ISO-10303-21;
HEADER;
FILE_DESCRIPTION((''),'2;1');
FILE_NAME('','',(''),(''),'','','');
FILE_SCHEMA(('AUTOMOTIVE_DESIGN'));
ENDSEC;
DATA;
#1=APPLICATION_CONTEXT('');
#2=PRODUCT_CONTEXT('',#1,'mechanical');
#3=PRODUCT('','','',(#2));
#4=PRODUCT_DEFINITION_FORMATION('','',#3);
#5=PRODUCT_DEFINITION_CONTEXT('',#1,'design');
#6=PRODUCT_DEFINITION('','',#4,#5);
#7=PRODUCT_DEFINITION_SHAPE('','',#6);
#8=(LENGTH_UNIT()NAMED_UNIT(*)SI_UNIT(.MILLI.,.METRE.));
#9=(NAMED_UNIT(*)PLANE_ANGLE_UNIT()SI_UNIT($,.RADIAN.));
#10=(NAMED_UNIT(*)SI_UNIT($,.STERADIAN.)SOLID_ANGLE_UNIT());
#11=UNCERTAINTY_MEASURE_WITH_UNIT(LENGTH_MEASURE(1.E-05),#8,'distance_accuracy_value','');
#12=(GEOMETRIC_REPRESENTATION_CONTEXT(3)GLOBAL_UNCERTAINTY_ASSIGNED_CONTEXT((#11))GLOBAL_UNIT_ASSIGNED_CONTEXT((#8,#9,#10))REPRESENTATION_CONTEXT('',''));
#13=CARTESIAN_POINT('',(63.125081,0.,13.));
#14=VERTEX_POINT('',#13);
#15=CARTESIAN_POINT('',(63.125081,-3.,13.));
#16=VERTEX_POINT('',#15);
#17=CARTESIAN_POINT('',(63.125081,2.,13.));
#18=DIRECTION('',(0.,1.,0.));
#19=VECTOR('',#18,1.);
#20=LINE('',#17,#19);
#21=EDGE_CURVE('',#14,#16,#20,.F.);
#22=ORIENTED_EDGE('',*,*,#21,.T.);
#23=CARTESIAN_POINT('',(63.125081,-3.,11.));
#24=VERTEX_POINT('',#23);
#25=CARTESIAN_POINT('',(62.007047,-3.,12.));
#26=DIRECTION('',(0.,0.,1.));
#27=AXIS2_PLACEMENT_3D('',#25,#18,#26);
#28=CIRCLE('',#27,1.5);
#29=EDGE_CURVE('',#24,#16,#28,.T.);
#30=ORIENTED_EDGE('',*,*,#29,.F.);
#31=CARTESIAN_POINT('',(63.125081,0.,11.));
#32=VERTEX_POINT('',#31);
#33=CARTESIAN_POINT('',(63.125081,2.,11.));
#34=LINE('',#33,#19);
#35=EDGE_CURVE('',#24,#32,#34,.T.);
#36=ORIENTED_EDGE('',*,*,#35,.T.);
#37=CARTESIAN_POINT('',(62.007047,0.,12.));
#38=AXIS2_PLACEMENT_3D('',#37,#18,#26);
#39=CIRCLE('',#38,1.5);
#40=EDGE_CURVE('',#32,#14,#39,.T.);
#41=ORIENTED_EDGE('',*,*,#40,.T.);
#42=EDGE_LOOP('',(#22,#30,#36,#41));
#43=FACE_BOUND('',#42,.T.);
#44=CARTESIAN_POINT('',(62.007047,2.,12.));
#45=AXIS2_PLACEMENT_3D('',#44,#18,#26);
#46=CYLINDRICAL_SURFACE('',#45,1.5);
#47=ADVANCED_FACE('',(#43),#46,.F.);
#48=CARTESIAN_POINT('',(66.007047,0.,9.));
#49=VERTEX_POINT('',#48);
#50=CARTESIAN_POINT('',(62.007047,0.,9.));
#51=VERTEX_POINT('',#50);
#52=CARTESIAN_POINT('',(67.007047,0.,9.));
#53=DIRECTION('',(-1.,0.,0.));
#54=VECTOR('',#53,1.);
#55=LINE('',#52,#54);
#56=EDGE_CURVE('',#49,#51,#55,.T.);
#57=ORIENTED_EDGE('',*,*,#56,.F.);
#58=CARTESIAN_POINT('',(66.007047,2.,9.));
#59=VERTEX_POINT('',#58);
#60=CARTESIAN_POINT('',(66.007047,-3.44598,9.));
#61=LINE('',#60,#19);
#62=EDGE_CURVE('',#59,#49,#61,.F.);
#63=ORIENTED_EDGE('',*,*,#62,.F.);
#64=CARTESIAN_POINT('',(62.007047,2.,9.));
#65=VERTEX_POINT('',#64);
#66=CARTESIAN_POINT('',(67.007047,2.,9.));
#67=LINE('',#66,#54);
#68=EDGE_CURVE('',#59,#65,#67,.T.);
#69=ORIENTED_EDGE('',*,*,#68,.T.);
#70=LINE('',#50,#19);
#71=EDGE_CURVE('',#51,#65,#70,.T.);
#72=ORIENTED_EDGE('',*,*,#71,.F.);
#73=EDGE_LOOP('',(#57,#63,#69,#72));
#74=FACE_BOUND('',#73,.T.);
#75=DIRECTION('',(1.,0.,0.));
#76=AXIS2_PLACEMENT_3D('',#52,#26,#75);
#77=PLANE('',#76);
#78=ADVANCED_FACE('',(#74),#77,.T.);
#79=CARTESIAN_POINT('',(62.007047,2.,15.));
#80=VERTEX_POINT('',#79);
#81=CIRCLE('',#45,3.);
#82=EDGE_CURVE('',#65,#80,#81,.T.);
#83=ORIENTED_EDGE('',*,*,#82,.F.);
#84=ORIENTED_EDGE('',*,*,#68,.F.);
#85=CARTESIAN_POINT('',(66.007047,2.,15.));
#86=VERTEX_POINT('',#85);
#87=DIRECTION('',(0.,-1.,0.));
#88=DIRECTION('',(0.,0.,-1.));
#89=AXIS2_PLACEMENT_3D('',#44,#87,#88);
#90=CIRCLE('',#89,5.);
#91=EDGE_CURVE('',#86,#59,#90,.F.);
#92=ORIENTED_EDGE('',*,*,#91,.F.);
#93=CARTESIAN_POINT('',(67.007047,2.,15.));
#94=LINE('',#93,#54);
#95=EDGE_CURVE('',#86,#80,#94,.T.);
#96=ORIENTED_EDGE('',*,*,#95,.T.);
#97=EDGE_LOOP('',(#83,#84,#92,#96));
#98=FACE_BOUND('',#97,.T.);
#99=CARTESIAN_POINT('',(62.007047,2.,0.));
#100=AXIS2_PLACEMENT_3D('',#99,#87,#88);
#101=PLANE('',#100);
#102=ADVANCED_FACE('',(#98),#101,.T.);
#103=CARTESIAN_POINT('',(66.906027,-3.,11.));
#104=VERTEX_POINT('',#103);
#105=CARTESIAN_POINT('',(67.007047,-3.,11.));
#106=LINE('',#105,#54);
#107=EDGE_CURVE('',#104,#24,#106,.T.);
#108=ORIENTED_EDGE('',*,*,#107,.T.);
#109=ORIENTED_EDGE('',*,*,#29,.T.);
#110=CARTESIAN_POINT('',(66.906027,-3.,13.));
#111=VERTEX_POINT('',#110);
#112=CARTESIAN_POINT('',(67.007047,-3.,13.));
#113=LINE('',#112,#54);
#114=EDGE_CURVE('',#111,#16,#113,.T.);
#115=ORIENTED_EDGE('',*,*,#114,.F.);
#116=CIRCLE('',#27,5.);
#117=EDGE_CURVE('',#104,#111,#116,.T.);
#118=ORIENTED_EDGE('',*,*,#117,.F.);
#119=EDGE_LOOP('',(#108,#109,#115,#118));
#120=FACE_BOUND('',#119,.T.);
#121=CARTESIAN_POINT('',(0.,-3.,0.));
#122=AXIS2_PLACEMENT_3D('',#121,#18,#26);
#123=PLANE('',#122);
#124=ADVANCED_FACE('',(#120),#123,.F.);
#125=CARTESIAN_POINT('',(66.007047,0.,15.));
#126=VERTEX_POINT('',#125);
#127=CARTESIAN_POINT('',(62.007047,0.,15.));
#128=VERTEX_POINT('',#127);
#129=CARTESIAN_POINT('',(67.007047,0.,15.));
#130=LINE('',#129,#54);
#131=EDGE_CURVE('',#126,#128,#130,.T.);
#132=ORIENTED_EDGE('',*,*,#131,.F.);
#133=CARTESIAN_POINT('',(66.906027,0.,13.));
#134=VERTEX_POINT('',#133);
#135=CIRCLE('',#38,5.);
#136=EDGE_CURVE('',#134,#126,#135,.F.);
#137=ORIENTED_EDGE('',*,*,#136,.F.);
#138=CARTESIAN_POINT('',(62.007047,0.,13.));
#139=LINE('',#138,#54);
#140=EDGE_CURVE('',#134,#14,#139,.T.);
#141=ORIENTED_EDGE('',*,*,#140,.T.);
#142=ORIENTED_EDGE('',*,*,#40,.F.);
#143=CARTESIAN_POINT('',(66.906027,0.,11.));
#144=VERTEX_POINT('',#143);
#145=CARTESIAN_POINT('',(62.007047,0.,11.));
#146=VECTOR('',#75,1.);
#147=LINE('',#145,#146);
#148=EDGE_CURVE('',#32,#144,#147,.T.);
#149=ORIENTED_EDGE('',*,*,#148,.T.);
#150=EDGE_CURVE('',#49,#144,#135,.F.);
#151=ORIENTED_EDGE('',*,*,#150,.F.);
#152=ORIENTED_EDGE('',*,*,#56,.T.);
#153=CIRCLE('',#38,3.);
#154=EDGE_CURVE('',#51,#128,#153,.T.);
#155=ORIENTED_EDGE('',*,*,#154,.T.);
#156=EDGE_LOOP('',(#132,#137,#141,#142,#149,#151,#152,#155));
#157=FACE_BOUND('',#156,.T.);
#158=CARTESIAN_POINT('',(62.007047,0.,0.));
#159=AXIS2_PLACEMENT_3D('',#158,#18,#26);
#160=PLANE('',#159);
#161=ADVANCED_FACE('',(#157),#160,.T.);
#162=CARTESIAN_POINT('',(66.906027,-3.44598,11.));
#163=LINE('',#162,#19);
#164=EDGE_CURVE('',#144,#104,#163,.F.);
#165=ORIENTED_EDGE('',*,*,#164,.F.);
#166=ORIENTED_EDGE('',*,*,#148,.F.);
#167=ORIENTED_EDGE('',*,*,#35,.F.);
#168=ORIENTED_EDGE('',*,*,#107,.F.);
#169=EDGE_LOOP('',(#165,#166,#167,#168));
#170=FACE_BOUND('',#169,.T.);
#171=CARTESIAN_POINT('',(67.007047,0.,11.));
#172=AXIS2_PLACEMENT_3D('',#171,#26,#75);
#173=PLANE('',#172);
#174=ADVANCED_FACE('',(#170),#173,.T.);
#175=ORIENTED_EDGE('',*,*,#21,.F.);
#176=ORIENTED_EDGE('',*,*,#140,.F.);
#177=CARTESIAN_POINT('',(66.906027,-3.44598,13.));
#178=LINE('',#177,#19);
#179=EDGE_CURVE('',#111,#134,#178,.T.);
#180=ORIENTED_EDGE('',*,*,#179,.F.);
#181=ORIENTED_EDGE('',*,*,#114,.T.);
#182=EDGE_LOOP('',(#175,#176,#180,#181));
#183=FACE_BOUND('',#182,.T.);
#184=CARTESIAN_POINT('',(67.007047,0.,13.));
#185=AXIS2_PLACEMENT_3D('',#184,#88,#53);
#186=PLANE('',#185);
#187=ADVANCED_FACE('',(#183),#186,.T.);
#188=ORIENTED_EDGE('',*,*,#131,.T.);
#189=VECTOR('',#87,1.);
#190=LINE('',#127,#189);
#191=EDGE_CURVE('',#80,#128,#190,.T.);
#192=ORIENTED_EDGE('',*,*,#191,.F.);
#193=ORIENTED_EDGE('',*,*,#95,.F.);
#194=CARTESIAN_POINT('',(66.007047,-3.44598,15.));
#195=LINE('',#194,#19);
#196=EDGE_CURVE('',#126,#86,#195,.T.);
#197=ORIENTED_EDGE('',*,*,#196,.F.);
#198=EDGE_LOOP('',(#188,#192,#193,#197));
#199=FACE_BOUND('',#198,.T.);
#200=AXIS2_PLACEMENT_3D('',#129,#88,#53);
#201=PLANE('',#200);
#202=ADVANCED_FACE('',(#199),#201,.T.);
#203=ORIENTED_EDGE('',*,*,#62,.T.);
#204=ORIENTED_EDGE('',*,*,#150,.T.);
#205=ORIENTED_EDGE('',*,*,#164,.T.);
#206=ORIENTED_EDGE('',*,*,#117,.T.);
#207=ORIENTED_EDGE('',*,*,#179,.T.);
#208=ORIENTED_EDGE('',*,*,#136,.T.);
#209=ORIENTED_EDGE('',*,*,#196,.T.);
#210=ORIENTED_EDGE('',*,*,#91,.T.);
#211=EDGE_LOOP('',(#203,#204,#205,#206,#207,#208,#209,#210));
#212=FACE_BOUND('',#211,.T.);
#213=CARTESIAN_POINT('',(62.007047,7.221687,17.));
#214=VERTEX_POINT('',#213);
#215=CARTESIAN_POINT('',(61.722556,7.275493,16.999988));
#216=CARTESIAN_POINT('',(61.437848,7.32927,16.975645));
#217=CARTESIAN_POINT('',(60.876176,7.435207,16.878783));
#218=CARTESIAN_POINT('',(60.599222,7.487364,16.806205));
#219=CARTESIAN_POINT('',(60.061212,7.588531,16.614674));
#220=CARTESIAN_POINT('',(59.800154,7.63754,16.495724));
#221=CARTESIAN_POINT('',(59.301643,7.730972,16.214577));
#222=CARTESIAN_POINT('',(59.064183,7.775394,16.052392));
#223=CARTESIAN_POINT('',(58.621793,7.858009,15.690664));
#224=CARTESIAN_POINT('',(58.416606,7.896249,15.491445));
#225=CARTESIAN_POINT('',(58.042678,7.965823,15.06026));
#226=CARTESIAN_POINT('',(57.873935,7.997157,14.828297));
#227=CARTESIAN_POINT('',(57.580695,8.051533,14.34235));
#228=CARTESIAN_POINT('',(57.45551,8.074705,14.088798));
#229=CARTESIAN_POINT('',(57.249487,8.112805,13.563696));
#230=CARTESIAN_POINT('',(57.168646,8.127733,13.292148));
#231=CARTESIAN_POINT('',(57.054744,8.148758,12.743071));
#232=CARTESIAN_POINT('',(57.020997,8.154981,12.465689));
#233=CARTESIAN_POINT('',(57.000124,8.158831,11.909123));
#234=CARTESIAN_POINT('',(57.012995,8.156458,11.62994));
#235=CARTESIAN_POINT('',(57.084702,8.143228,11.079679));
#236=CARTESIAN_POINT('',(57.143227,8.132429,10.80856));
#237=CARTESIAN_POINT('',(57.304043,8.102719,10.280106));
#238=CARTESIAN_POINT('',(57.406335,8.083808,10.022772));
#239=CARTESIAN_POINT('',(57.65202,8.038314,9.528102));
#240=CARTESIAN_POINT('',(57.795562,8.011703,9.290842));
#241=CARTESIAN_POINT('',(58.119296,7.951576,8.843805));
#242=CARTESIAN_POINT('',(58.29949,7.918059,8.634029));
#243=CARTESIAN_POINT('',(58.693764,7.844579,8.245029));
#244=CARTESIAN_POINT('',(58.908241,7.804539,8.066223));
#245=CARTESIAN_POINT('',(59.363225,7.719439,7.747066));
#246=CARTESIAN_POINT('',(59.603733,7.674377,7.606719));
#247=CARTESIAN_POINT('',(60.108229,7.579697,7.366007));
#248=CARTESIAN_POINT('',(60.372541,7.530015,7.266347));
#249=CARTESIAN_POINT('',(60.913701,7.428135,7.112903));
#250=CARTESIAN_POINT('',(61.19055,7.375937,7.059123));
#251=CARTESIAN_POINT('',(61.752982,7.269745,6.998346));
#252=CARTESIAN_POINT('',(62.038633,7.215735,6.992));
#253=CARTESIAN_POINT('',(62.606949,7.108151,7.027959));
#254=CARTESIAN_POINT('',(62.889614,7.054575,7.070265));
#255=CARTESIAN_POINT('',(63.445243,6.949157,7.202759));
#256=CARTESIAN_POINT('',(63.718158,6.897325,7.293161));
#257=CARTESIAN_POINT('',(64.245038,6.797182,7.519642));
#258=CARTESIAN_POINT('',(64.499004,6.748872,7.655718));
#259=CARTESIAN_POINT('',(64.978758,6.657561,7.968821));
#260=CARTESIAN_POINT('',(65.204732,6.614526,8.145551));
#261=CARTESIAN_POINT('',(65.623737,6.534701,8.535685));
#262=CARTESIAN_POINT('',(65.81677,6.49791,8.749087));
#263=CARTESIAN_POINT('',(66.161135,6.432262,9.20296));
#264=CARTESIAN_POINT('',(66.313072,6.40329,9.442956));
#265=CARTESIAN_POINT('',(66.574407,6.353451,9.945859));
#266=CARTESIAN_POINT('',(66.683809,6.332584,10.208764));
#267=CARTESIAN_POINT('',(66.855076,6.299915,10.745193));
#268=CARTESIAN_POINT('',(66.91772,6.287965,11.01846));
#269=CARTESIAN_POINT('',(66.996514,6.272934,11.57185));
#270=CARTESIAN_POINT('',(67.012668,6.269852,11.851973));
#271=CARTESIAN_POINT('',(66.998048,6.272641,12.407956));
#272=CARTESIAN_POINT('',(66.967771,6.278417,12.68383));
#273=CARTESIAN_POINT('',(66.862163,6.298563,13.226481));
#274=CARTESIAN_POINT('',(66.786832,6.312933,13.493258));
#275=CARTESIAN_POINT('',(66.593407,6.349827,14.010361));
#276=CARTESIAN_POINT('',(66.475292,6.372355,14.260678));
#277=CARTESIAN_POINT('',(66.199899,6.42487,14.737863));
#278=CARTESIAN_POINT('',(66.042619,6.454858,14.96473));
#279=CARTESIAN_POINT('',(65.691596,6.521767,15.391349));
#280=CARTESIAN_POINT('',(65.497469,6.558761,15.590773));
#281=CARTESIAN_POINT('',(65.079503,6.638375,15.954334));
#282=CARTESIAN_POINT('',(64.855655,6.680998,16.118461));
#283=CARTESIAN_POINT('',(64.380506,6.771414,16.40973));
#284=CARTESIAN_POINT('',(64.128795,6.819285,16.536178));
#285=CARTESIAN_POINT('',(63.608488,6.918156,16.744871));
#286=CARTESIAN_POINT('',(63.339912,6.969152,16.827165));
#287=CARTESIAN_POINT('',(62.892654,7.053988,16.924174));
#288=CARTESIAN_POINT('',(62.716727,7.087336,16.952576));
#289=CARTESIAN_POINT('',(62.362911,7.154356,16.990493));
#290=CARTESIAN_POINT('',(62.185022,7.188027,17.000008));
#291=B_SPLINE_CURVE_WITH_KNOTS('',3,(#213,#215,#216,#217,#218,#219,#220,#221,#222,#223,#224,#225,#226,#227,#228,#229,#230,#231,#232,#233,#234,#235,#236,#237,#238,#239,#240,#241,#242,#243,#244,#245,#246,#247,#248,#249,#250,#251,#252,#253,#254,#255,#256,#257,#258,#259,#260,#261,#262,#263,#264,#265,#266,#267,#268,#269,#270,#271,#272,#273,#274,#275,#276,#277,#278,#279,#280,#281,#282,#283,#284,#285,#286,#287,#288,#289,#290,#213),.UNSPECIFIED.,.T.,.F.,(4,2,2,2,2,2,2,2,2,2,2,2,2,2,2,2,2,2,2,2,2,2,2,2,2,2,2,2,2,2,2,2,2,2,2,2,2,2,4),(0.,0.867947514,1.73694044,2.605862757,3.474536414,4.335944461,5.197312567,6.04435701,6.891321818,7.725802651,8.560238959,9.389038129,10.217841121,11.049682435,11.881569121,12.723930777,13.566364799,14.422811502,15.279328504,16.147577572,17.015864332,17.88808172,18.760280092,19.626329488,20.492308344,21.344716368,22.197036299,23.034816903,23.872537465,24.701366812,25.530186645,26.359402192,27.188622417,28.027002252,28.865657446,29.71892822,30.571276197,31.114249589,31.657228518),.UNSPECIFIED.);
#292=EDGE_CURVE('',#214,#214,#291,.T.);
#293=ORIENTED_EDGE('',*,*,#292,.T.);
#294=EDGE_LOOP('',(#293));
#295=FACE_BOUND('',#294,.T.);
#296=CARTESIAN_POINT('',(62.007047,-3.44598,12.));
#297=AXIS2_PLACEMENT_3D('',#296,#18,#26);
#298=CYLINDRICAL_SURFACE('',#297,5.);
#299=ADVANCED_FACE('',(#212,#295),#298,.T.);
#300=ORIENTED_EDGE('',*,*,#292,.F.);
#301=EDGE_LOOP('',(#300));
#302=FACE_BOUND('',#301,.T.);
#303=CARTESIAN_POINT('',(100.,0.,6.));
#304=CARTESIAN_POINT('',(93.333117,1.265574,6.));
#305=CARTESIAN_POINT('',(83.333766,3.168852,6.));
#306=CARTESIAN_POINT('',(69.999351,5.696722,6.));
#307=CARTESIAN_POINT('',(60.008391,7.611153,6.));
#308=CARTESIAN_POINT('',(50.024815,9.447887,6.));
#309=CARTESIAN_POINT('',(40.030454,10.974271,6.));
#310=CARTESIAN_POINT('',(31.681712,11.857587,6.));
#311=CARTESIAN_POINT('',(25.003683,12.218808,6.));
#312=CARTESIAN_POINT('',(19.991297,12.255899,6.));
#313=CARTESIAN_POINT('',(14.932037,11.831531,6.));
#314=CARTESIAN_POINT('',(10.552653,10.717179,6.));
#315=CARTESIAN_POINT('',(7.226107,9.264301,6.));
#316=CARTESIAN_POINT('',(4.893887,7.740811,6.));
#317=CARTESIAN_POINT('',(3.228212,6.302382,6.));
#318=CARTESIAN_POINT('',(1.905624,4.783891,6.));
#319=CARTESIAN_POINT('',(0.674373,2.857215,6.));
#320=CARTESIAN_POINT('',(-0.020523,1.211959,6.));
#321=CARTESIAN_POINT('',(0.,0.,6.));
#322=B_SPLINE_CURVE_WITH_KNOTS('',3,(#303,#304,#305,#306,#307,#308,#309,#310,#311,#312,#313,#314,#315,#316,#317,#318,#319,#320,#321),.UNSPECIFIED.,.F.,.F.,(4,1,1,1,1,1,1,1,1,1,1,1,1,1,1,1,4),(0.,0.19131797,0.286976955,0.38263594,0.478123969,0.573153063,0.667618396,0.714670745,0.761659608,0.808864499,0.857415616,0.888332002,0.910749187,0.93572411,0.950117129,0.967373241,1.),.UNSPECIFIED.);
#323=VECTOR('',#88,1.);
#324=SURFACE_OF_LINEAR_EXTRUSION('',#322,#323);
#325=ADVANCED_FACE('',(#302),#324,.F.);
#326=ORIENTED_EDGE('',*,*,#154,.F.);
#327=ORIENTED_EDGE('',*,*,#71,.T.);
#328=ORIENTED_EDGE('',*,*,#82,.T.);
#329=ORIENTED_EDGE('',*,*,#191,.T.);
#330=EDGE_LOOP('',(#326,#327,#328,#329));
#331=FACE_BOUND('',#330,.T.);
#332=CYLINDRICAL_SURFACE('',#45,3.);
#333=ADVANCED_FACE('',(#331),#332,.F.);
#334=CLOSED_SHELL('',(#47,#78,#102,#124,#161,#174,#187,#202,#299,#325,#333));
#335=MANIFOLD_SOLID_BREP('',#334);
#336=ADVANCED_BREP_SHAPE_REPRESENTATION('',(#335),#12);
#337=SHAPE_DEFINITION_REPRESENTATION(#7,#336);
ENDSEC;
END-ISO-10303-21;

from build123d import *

# Parameters (mm, degrees)
BOSS_EXTRUDE1_DEPTH     = 6
SHELL1_T                = 2
BOSS_EXTRUDE2_DEPTH     = 12
CUT_EXTRUDE1_DEPTH      = 105.548062061
CUT_EXTRUDE1_DEPTH_BACK = 105.548062061
SKETCH4_OUTSIDE_W       = 127.703
SKETCH4_OUTSIDE_H       = 47.702
SKETCH4_OUTSIDE_R       = 5
BOSS_EXTRUDE3_START     = -3
SKETCH5_R               = 5
BOSS_EXTRUDE3_DEPTH     = 3
SKETCH8_W               = 2
SKETCH8_H               = 3
CUT_EXTRUDE2_DEPTH      = 20.507580381


with BuildPart() as part:
    # Sketch1 → Boss-Extrude1 (new, symmetric)
    with BuildSketch(Plane.XY):
        with BuildLine():
            add(Edge.make_bspline(
                [(0, 0), (-0.020523105, 1.211959263), (0.67437266, 2.857215342), (1.905623999, 4.78389108), (3.228212227, 6.302382051), (4.893886607, 7.740810658), (7.226107258, 9.264300756), (10.552653396, 10.717178582), (14.932037071, 11.831530653), (19.991297272, 12.255898832), (25.003683181, 12.218808276), (31.681712165, 11.857586647), (40.030453626, 10.974271434), (50.024814986, 9.447886993), (60.008390595, 7.611152922), (69.999350586, 5.696721586), (83.333766276, 3.168852276), (93.333116862, 1.265573862), (100, 0)],
                knots=[0, 0, 0, 0, 0.032626759, 0.049882871, 0.06427589, 0.089250813, 0.111667998, 0.142584384, 0.191135501, 0.238340392, 0.285329255, 0.332381604, 0.426846937, 0.521876031, 0.61736406, 0.713023045, 0.80868203, 1, 1, 1, 1], degree=3))
            add(Edge.make_bspline(
                [(0, 0), (0.036655271, -0.696109017), (0.772960092, -1.382467179), (1.96178056, -1.978761756), (3.324506087, -2.315299728), (4.988662397, -2.651222943), (7.325816413, -2.960951495), (10.662744647, -3.183232196), (14.999725999, -3.252330394), (19.999719582, -3.317988032), (25.00025256, -3.335705262), (31.666881467, -3.233674), (40.002372591, -3.118326111), (50.001627017, -2.749659581), (60.002529003, -2.322582922), (69.997554247, -1.759547439), (83.37248003, -1.331343132), (93.243437862, 0.963839901), (100, 0)],
                knots=[0, 0, 0, 0, 0.017855622, 0.028908701, 0.039175102, 0.059339021, 0.079290733, 0.109028899, 0.158476478, 0.20791091, 0.257341883, 0.306776316, 0.405654078, 0.504572951, 0.603530351, 0.702515599, 0.801543493, 1, 1, 1, 1], degree=3))
        make_face()
    extrude(amount=BOSS_EXTRUDE1_DEPTH, both=True)

    # Shell1
    shell1_openings = [part.faces().sort_by_distance(p)[0] for p in [
        (38.486858992, 3.393824358, 6),
        (38.486858992, 3.393824358, -6),
    ]]
    offset(amount=SHELL1_T, openings=shell1_openings)

    # Sketch3 → Boss-Extrude2 (add)
    with BuildSketch(Plane.XY.offset(6)):
        with BuildLine():
            add(Edge.make_bspline(
                [(0, 0), (0.036655271, -0.696109017), (0.772960092, -1.382467179), (1.96178056, -1.978761756), (3.324506087, -2.315299728), (4.988662397, -2.651222943), (7.325816413, -2.960951495), (10.662744647, -3.183232196), (14.999725999, -3.252330394), (19.999719582, -3.317988032), (25.00025256, -3.335705262), (31.666881467, -3.233674), (40.002372591, -3.118326111), (50.001627017, -2.749659581), (60.002529003, -2.322582922), (69.997554247, -1.759547439), (83.37248003, -1.331343132), (93.243437862, 0.963839901), (100, 0)],
                knots=[0, 0, 0, 0, 0.017855622, 0.028908701, 0.039175102, 0.059339021, 0.079290733, 0.109028899, 0.158476478, 0.20791091, 0.257341883, 0.306776316, 0.405654078, 0.504572951, 0.603530351, 0.702515599, 0.801543493, 1, 1, 1, 1], degree=3))
            add(Edge.make_bspline(
                [(100, 0), (93.333116862, 1.265573862), (83.333766276, 3.168852276), (69.999350586, 5.696721586), (60.008390595, 7.611152922), (50.024814986, 9.447886993), (40.030453626, 10.974271434), (31.681712165, 11.857586647), (25.003683181, 12.218808276), (19.991297272, 12.255898832), (14.932037071, 11.831530653), (10.552653396, 10.717178582), (7.226107258, 9.264300756), (4.893886607, 7.740810658), (3.228212227, 6.302382051), (1.905623999, 4.78389108), (0.67437266, 2.857215342), (-0.020523105, 1.211959263), (0, 0)],
                knots=[0, 0, 0, 0, 0.19131797, 0.286976955, 0.38263594, 0.478123969, 0.573153063, 0.667618396, 0.714670745, 0.761659608, 0.808864499, 0.857415616, 0.888332002, 0.910749187, 0.93572411, 0.950117129, 0.967373241, 1, 1, 1, 1], degree=3))
        make_face()
    extrude(amount=BOSS_EXTRUDE2_DEPTH)

    # Sketch4 outside → Cut-Extrude1 (cut, two sides: drawn at the far end of the back side and taken through both)
    with BuildSketch(Plane(origin=(0, 0, 0), x_dir=(1, 0, 0), z_dir=(0, 1, 0)).offset(-CUT_EXTRUDE1_DEPTH_BACK)):
        with Locations((49.9995, -6)):
            Rectangle(SKETCH4_OUTSIDE_W, SKETCH4_OUTSIDE_H)
        with Locations(Location((62.007047228, -12, 0), (0, 0, 270))):
            Circle(SKETCH4_OUTSIDE_R, mode=Mode.SUBTRACT)
    extrude(amount=CUT_EXTRUDE1_DEPTH + CUT_EXTRUDE1_DEPTH_BACK, mode=Mode.SUBTRACT)

    # Sketch5 → Boss-Extrude3 (add)
    with BuildSketch(Plane(origin=(0, 0, 0), x_dir=(1, 0, 0), z_dir=(0, 1, 0)).offset(BOSS_EXTRUDE3_START)):
        with Locations(Location((62.007047228, -12, 0), (0, 0, 270))):
            Circle(SKETCH5_R)
    extrude(amount=BOSS_EXTRUDE3_DEPTH)

    # Sketch6 → Cut-Revolve3 (revolve, cut)
    with BuildSketch(Plane(origin=(62.007047228, 0, 0), x_dir=(0, 0, -1), z_dir=(1, 0, 0))):
        Polygon((-12, 2), (-12, -3), (-10.5, -3), (-10.5, 0), (-9, 0), (-9, 2), align=None)
    revolve(axis=Axis((62.007047228, 2, 12), (0, -1, 0)), mode=Mode.SUBTRACT)

    # Sketch8 → Cut-Extrude2 (cut, through all)
    with BuildSketch(Plane(origin=(62.007047228, 0, 0), x_dir=(0, 0, -1), z_dir=(1, 0, 0))):
        Polygon((-15, 0), (-13, 0), (-11, 0), (-9, 0), (-9, 2), (-15, 2), align=None)
        with Locations((-12, -1.5)):
            Rectangle(SKETCH8_W, SKETCH8_H)
    extrude(amount=CUT_EXTRUDE2_DEPTH, mode=Mode.SUBTRACT)


solid = part.part
